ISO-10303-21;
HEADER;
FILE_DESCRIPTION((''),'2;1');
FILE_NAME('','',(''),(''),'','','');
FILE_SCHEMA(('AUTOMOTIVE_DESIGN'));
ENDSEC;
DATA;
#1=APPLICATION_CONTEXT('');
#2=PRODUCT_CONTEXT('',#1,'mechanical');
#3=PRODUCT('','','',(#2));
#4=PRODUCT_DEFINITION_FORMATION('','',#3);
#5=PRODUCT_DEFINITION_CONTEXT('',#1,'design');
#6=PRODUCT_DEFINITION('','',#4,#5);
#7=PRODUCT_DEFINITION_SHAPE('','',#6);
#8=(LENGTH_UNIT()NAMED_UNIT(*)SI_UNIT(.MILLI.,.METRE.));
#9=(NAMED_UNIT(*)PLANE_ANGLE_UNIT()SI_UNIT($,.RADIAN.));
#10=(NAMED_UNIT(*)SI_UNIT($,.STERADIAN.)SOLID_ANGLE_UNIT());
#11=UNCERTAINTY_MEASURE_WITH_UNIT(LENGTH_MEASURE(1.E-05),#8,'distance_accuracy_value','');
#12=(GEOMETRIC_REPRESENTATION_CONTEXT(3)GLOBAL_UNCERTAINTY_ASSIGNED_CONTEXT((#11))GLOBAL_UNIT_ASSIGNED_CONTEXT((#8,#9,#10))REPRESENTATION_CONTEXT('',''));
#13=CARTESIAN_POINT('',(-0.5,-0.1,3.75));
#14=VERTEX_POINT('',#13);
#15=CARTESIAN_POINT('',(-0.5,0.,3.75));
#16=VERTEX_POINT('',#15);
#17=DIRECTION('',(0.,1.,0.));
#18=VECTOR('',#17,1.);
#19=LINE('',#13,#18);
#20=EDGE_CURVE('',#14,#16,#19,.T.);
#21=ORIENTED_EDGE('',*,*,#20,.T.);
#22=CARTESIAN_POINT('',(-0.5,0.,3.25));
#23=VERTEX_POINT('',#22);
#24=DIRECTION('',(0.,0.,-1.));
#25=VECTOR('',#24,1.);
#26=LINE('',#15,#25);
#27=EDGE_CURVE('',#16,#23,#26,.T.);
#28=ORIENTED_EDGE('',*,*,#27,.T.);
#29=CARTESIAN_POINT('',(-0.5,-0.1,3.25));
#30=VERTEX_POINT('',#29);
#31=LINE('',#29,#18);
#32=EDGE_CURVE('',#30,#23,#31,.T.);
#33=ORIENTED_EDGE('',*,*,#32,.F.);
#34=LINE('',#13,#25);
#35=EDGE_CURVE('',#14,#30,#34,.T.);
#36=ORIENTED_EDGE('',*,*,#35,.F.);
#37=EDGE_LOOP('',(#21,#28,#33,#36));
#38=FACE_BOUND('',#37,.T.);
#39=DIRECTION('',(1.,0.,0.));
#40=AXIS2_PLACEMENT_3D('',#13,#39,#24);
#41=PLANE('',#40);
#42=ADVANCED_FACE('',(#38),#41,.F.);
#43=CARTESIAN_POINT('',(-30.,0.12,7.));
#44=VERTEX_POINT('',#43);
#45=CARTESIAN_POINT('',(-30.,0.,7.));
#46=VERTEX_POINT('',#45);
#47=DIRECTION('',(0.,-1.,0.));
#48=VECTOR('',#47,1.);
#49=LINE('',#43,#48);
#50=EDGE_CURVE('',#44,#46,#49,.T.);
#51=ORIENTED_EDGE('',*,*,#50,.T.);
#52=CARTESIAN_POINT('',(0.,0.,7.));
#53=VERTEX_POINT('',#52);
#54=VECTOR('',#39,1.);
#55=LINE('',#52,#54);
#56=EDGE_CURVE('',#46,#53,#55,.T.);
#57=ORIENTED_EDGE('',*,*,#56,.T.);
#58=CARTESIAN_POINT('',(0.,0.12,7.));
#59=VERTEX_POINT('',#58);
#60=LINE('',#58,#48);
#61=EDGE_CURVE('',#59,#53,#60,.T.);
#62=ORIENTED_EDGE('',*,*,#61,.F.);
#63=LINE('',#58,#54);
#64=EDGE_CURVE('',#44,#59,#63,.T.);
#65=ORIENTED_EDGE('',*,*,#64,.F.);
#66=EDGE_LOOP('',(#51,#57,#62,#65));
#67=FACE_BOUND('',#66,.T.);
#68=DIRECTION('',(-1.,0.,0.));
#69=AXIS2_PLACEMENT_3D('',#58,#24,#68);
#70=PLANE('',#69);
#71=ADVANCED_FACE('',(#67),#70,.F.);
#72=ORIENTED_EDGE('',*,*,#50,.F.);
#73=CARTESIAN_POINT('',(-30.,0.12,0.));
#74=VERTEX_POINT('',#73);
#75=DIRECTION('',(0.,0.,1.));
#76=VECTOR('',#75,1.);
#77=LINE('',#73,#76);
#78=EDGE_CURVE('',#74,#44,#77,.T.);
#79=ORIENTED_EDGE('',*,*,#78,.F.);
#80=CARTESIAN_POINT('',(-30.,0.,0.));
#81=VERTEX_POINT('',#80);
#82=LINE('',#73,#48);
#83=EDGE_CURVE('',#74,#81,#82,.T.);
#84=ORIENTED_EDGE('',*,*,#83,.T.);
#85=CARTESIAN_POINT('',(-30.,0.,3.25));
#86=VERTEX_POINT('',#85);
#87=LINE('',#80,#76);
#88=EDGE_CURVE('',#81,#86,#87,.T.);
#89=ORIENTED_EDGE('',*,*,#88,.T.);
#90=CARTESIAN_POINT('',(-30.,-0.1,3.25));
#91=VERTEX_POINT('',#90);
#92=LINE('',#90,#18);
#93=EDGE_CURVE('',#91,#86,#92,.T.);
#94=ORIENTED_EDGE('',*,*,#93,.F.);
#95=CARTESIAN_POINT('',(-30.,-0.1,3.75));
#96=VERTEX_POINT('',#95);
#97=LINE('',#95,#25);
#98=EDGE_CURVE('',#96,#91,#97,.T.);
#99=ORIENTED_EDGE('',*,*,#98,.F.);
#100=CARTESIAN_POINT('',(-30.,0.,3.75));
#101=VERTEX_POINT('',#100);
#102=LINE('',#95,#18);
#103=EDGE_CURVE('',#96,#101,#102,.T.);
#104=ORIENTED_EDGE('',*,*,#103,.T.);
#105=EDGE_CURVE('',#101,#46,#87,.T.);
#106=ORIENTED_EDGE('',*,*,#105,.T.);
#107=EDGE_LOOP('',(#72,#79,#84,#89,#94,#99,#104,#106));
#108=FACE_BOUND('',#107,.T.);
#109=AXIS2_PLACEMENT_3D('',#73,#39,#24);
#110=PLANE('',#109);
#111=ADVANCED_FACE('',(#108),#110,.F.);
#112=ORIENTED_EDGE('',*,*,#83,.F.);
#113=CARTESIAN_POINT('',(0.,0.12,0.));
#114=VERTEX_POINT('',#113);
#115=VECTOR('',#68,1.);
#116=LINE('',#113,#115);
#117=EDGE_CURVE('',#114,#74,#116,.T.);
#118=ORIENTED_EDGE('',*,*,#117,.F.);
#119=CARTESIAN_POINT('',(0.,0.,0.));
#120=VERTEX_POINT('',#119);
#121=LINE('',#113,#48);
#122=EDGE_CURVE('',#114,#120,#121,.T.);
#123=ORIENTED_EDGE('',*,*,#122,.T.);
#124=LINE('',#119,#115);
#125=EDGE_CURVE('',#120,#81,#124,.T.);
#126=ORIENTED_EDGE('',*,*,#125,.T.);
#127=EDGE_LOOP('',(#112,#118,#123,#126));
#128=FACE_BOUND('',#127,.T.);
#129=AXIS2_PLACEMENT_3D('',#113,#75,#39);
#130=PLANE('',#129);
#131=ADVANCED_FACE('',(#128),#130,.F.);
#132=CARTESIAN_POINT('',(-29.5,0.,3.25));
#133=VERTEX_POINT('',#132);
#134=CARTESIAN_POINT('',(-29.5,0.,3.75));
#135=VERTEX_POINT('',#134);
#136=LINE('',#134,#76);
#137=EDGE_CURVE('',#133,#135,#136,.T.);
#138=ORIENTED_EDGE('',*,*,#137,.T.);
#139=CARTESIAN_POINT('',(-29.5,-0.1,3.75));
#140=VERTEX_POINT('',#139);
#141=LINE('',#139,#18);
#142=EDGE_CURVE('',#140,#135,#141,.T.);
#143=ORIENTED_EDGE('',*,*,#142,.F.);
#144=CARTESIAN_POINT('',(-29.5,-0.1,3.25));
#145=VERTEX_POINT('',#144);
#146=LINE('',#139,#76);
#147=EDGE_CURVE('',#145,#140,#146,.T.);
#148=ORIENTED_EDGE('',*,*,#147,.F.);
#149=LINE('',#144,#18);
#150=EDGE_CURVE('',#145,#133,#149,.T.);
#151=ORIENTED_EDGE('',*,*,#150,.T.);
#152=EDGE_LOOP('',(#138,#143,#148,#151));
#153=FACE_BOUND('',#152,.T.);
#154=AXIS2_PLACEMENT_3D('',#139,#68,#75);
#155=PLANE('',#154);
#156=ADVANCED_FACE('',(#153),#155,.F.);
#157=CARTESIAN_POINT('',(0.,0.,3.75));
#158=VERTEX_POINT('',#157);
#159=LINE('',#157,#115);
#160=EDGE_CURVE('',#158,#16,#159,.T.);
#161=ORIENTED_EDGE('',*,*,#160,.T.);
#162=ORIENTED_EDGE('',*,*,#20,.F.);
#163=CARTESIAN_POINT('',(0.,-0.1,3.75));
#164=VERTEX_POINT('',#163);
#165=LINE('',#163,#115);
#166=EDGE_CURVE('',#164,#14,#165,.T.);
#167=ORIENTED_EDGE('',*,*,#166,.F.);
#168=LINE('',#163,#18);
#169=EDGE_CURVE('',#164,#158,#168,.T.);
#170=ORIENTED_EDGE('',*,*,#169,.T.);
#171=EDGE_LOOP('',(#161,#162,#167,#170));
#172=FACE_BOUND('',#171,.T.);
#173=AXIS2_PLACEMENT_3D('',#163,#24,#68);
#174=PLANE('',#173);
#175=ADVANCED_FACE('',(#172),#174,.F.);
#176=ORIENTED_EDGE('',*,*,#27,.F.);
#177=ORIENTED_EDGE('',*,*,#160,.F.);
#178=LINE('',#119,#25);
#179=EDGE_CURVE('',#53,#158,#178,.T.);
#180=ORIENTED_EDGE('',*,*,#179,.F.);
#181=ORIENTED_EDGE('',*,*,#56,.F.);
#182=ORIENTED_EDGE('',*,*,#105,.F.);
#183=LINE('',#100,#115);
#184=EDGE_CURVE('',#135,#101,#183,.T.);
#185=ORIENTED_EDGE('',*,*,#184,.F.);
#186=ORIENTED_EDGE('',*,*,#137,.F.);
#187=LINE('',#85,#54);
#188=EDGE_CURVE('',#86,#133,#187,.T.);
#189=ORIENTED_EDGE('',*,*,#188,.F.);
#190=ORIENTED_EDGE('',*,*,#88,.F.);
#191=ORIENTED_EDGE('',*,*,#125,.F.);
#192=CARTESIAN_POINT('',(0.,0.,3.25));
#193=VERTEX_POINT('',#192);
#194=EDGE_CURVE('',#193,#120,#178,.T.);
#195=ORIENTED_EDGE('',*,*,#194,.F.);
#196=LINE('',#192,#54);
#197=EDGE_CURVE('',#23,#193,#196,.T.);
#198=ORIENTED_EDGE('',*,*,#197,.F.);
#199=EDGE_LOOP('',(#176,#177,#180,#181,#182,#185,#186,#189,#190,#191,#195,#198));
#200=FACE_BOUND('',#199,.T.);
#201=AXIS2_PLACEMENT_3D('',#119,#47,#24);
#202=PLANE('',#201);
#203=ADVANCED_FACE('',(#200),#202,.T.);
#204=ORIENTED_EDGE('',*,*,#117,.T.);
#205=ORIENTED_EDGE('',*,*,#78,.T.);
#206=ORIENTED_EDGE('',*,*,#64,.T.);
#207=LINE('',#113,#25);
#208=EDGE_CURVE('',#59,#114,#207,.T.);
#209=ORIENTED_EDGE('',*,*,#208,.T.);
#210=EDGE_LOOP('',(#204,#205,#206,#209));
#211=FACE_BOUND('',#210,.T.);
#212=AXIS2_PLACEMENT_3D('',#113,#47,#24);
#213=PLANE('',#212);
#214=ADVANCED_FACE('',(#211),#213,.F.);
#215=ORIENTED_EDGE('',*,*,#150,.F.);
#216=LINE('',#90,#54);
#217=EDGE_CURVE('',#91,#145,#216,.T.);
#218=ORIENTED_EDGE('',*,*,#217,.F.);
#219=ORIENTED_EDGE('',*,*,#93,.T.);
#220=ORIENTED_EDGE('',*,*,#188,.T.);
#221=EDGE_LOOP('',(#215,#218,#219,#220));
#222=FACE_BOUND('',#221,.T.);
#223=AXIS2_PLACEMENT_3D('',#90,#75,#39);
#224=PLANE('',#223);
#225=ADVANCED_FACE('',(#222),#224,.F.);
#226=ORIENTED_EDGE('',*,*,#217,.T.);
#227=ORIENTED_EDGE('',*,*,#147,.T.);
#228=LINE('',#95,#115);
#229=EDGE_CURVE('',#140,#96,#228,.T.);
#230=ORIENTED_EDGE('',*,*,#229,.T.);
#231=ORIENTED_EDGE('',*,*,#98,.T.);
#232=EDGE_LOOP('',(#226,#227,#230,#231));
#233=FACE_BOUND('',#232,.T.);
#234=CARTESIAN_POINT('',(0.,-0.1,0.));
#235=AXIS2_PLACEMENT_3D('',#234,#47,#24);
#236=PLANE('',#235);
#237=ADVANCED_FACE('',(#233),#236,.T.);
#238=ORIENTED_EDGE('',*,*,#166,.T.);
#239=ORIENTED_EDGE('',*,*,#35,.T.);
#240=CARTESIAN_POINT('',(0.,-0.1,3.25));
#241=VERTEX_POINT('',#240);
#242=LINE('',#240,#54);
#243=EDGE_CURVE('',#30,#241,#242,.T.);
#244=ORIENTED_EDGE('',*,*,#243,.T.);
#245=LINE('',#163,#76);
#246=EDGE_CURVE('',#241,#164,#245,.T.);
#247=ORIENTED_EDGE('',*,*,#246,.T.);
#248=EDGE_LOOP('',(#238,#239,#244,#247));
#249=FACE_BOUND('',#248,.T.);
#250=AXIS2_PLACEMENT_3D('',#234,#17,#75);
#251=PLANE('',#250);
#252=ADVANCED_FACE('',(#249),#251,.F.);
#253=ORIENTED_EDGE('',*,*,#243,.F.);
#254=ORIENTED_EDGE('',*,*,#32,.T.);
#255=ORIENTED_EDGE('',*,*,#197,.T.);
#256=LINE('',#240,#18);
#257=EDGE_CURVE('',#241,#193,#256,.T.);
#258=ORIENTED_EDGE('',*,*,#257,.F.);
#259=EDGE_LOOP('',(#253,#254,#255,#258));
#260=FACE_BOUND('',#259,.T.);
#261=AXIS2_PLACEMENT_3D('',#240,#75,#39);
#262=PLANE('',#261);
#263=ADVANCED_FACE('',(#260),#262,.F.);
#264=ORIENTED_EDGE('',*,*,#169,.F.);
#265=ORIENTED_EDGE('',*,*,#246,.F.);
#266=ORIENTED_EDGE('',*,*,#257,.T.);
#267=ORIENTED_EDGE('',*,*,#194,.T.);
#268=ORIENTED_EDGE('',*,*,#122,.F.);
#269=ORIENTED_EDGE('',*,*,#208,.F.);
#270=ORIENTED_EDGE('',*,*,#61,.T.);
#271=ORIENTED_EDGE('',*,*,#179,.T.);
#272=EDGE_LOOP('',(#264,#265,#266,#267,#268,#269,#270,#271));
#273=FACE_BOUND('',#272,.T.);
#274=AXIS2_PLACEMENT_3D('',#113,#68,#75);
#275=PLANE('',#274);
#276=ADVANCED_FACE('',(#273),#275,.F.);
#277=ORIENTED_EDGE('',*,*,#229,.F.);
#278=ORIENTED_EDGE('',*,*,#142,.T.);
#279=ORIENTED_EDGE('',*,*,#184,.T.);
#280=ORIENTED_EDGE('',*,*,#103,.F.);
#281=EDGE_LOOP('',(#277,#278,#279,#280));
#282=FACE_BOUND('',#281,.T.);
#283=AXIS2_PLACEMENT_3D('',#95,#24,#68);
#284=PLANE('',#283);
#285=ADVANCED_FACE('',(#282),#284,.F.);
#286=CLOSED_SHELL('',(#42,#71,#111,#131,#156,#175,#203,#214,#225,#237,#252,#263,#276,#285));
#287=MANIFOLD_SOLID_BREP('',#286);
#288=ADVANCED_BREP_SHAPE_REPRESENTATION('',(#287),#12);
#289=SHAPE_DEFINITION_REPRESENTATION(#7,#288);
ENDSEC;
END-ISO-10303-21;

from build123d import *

# Parameters (mm, degrees)
SKETCH1_W           = 30
SKETCH1_H           = 7
BOSS_EXTRUDE1_DEPTH = 0.12
SKETCH2_W           = 0.5
SKETCH2_H           = 0.5
BOSS_EXTRUDE2_DEPTH = 0.1
SKETCH3_W           = 0.5
SKETCH3_H           = 0.5
BOSS_EXTRUDE3_DEPTH = 0.1


with BuildPart() as part:
    # Sketch1 → Boss-Extrude1 (new body)
    with BuildSketch(Plane(origin=(0, 0, 0), x_dir=(1, 0, 0), z_dir=(0, 1, 0))):
        with Locations((-15, -3.5)):
            Rectangle(SKETCH1_W, SKETCH1_H)
    extrude(amount=BOSS_EXTRUDE1_DEPTH)

    # Sketch2 → Boss-Extrude2 (add)
    with BuildSketch(Plane.XZ):
        with Locations((-0.25, 3.5)):
            Rectangle(SKETCH2_W, SKETCH2_H)
    extrude(amount=BOSS_EXTRUDE2_DEPTH)

    # Sketch3 → Boss-Extrude3 (add)
    with BuildSketch(Plane.XZ):
        with Locations((-29.75, 3.5)):
            Rectangle(SKETCH3_W, SKETCH3_H)
    extrude(amount=BOSS_EXTRUDE3_DEPTH)


solid = part.part
